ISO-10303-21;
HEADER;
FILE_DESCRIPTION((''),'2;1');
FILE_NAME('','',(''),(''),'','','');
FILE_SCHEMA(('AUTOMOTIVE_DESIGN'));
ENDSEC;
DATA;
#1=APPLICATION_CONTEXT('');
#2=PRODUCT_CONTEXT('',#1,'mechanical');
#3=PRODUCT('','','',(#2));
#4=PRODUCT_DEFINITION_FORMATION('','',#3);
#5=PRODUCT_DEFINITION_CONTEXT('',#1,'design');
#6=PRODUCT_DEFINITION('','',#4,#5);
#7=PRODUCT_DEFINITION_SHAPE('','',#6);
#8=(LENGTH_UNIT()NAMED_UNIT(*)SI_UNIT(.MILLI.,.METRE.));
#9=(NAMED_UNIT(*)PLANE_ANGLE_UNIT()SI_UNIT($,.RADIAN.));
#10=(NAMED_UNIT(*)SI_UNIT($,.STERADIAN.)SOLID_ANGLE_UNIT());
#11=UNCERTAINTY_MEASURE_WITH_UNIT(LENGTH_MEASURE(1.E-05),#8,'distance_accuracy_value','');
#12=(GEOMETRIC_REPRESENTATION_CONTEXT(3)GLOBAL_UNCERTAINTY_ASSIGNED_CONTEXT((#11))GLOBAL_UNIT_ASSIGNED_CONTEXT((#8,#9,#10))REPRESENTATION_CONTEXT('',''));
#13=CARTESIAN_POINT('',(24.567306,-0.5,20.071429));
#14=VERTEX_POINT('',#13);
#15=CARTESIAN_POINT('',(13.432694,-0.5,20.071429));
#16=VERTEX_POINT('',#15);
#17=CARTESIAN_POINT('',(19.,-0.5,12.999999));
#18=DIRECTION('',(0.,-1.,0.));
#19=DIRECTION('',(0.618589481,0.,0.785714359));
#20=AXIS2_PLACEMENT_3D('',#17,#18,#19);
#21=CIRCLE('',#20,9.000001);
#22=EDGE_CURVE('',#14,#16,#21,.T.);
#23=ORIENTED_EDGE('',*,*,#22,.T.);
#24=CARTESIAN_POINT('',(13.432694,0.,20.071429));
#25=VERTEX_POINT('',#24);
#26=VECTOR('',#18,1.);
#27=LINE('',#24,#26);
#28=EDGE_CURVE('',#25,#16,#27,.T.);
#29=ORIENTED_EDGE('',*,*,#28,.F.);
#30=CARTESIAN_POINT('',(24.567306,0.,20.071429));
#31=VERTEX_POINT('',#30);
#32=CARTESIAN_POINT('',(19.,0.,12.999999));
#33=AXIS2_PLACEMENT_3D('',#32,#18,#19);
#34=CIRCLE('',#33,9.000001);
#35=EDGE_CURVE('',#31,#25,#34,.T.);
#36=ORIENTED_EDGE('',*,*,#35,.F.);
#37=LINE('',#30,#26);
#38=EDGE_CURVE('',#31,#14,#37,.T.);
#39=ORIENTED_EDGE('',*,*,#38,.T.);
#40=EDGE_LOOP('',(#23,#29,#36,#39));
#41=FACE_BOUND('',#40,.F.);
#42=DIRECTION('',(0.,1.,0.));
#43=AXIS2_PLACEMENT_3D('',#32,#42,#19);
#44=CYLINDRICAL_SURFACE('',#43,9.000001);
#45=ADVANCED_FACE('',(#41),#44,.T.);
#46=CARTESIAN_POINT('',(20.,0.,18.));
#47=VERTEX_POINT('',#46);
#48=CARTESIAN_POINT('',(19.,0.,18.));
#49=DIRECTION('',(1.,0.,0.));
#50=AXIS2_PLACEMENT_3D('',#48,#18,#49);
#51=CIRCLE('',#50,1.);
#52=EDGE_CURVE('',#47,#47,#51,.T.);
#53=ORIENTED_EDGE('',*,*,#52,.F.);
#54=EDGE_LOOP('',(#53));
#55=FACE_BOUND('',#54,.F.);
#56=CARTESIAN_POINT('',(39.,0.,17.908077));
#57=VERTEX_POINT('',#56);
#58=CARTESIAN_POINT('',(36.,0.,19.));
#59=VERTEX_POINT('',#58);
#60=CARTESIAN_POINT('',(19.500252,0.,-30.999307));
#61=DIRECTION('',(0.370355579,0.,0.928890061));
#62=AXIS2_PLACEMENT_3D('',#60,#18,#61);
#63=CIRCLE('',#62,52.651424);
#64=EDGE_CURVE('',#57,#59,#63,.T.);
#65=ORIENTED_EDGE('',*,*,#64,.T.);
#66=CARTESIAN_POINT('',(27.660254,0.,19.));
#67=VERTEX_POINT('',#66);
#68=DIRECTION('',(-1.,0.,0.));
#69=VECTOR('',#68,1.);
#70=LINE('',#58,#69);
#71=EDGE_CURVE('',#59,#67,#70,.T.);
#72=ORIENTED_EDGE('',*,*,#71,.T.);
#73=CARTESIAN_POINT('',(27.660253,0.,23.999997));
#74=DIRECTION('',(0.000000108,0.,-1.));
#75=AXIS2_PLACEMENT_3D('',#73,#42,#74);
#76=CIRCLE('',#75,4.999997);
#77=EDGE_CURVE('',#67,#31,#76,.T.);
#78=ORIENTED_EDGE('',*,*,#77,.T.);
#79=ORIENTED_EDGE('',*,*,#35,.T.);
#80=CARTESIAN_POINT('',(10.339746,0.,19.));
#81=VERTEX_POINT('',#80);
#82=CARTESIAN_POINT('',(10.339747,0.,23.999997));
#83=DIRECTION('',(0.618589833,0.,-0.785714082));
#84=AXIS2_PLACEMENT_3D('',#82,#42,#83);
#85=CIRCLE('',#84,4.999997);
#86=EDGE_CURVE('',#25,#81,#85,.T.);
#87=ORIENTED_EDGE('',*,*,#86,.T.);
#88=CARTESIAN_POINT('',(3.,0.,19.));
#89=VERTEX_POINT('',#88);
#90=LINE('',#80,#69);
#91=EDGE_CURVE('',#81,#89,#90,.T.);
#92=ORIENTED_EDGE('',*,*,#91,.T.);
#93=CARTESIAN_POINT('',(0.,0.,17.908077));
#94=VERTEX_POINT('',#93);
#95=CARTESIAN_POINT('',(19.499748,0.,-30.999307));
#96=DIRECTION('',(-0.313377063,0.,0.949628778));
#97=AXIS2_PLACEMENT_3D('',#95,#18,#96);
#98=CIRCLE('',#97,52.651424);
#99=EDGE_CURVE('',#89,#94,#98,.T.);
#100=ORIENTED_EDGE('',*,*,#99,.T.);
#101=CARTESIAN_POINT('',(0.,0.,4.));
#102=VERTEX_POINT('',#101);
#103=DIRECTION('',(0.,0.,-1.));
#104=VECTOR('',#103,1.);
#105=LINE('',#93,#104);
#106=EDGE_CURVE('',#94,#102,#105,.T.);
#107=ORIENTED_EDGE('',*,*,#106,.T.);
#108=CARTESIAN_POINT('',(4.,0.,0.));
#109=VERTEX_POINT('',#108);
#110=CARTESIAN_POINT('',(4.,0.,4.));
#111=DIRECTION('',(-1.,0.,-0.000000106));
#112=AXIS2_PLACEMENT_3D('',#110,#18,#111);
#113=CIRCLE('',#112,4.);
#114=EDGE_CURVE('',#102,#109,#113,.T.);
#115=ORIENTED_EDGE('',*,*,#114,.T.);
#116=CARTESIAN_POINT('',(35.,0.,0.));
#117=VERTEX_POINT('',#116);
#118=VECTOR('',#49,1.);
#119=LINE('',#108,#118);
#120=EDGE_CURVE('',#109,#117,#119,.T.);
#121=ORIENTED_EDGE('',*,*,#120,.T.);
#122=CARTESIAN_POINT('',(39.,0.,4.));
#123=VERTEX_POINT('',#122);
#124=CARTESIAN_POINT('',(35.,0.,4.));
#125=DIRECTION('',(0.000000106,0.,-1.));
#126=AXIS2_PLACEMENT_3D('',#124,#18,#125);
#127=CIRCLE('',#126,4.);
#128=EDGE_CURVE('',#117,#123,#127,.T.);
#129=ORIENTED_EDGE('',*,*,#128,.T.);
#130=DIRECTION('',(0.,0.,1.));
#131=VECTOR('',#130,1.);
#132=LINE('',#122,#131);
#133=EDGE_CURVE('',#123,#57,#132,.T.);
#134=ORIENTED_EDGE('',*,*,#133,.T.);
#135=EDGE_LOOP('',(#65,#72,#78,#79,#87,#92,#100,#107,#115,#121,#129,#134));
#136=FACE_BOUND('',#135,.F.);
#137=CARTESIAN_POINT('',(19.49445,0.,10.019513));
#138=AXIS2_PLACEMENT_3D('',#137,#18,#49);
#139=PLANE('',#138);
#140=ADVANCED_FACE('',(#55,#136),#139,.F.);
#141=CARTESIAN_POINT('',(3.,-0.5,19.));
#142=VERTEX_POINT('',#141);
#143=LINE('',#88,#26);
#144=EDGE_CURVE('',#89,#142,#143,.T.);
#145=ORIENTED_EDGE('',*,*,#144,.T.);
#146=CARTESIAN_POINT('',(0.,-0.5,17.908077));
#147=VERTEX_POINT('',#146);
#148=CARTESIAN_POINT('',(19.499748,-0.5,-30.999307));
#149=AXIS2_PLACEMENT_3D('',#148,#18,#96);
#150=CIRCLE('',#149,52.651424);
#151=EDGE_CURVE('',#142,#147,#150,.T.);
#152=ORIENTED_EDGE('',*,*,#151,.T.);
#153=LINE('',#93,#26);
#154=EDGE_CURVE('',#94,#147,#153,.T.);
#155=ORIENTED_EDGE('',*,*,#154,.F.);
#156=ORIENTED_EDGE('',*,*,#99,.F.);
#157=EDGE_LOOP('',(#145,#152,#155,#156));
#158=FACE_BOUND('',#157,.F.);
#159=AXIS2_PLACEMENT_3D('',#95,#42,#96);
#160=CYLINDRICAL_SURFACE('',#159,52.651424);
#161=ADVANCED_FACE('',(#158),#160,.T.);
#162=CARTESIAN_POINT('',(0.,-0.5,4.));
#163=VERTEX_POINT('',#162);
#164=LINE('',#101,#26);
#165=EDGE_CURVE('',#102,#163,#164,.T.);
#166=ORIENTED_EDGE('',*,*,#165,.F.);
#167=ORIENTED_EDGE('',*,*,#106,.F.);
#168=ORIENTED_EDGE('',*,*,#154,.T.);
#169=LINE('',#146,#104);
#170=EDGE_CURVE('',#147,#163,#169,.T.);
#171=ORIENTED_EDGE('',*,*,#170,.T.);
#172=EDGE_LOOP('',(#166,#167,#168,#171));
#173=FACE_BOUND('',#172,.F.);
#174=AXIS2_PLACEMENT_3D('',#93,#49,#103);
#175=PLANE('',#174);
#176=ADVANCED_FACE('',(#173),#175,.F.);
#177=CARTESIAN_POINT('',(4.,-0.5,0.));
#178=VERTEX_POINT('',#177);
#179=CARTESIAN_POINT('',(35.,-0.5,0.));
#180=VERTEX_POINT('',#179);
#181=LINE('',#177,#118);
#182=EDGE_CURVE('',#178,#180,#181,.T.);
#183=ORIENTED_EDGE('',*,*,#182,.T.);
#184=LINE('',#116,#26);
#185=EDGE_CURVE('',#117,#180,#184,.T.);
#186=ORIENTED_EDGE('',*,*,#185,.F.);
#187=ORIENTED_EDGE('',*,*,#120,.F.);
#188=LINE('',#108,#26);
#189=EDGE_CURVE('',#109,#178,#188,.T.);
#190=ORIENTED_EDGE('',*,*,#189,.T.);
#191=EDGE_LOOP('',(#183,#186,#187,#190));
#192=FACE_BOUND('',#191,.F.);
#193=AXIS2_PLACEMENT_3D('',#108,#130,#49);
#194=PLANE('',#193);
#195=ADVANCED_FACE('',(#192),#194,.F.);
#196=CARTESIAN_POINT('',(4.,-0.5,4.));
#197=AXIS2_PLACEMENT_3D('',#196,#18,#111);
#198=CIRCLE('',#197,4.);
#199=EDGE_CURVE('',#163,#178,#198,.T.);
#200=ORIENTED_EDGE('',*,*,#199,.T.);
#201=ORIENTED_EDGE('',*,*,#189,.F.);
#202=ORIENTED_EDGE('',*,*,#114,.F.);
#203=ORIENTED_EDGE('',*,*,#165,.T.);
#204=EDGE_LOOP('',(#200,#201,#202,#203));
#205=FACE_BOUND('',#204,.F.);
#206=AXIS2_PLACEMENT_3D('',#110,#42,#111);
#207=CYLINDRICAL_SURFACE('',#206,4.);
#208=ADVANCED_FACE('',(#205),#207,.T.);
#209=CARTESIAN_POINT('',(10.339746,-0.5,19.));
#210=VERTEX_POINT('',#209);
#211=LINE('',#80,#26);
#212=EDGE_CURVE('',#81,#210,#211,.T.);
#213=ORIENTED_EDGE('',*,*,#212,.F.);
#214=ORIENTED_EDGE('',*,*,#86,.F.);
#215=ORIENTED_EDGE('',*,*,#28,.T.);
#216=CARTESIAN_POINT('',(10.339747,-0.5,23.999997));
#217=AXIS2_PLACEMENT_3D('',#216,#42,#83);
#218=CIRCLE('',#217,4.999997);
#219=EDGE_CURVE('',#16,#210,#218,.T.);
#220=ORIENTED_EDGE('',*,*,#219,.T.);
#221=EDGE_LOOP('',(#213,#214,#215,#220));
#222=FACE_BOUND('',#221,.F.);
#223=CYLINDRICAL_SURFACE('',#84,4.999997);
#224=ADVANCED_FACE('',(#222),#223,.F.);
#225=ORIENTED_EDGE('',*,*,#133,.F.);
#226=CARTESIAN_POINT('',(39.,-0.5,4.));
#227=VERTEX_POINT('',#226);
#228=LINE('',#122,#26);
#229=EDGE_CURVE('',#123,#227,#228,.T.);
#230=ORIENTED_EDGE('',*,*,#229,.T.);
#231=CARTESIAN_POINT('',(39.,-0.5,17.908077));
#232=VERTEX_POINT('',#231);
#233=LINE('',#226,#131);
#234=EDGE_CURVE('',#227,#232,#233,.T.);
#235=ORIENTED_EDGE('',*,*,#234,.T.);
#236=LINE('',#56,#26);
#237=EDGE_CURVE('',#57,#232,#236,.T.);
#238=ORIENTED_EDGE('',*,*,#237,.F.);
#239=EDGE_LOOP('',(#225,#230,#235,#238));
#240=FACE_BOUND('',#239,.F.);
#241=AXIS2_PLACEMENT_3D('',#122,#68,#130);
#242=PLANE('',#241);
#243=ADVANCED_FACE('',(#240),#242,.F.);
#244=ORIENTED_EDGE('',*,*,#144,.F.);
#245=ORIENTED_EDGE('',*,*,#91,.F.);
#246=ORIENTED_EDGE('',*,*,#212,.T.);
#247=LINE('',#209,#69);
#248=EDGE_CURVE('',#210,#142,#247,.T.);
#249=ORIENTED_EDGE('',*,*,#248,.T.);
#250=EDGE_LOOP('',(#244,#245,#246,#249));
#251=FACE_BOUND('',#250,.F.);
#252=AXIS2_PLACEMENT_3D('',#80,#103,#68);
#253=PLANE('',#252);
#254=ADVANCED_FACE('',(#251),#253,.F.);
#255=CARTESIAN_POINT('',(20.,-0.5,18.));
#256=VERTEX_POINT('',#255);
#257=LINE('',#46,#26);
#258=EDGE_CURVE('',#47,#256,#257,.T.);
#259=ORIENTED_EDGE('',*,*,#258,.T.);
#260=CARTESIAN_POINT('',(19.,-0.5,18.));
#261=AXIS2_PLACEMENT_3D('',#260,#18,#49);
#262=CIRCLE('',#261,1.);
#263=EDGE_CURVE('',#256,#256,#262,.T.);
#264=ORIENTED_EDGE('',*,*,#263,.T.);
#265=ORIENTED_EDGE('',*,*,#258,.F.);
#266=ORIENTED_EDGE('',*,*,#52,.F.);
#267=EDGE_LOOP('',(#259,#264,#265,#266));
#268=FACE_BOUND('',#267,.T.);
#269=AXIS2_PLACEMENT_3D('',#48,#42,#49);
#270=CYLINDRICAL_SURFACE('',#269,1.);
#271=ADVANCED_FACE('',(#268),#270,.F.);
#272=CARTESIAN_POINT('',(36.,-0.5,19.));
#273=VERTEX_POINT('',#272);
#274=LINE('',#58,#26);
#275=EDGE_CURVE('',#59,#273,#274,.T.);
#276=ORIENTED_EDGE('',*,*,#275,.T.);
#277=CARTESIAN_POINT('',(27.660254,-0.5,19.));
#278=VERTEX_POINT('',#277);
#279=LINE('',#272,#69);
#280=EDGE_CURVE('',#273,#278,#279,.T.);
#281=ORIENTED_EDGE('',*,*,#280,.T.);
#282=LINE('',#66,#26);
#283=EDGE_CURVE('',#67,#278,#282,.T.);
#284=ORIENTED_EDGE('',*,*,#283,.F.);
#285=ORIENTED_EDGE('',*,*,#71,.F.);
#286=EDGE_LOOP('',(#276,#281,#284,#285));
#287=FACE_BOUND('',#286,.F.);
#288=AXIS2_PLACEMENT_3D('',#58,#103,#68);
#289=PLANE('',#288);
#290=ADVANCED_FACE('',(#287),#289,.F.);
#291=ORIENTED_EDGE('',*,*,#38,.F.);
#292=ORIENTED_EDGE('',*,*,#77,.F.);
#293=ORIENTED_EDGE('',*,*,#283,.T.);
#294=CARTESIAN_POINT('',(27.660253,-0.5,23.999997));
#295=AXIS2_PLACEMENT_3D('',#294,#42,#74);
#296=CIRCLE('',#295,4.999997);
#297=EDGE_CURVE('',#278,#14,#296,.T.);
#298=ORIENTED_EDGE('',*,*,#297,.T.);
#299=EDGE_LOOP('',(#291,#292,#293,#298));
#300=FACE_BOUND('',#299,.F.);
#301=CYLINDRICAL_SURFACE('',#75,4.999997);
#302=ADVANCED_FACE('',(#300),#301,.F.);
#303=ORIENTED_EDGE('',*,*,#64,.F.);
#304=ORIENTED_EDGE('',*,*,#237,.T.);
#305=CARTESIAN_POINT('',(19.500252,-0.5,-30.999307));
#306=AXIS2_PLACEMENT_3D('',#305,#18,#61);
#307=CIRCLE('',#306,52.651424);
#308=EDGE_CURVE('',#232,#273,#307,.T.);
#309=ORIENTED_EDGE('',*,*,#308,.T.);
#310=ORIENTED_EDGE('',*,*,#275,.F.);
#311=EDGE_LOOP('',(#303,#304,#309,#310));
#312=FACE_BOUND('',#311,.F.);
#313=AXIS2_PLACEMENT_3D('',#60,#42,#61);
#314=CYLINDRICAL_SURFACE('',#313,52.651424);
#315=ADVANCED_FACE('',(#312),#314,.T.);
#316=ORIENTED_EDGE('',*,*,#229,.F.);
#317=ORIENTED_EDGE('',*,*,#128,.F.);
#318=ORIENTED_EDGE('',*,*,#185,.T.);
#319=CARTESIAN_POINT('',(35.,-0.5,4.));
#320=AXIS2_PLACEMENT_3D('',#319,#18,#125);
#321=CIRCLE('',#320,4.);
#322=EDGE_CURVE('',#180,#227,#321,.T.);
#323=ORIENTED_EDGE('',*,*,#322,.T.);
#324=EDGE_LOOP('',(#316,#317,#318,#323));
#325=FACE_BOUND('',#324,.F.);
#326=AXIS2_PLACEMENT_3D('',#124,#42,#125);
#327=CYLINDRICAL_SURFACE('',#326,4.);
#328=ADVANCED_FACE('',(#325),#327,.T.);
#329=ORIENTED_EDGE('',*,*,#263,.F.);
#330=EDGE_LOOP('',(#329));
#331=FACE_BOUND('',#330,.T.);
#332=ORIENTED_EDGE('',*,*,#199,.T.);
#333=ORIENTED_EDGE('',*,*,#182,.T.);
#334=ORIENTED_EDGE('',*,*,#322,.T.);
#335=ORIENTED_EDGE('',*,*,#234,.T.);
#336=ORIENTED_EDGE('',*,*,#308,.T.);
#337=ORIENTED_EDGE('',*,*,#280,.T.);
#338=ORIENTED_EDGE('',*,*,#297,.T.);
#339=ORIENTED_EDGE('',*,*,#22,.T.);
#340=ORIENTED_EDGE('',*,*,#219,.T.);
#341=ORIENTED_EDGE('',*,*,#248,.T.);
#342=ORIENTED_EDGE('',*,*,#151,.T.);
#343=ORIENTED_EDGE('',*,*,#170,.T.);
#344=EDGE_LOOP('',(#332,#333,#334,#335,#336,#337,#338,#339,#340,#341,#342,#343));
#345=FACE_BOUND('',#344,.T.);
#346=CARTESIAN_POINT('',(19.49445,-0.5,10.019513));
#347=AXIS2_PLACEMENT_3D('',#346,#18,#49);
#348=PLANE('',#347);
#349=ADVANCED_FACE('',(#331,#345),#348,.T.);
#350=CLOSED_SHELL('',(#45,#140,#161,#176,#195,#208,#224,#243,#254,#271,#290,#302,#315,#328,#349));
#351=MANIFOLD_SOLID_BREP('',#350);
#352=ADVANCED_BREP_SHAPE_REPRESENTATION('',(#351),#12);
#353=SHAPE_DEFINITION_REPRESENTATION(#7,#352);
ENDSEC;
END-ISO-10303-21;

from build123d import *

# Parameters (mm, degrees)
F0_R     = 1
F1_DEPTH = 0.5


with BuildPart() as f1:
    # F0 (on Front) → F1 (new body)
    with BuildSketch(Plane.XZ):
        with BuildLine():
            ThreePointArc((0, 4), (1.171573, 1.171573), (4, 0))
            Line((4, 0), (35, 0))
            ThreePointArc((35, 0), (37.828427, 1.171573), (39, 4))
            Line((39, 4), (39, 17.908077))
            ThreePointArc((39, 17.908077), (37.508278, 18.476782), (36, 19))
            Line((36, 19), (27.660254, 19))
            ThreePointArc((27.660254, 19), (26.02362, 19.275444), (24.567306, 20.071429))
            ThreePointArc((24.567306, 20.071429), (19, 22), (13.432694, 20.071429))
            ThreePointArc((13.432694, 20.071429), (11.97638, 19.275444), (10.339746, 19))
            Line((10.339746, 19), (3, 19))
            ThreePointArc((3, 19), (1.491722, 18.476782), (0, 17.908077))
            Line((0, 17.908077), (0, 4))
        make_face()
        with Locations((19, 18)):
            Circle(F0_R, mode=Mode.SUBTRACT)
    extrude(amount=F1_DEPTH)


solid = f1.part
